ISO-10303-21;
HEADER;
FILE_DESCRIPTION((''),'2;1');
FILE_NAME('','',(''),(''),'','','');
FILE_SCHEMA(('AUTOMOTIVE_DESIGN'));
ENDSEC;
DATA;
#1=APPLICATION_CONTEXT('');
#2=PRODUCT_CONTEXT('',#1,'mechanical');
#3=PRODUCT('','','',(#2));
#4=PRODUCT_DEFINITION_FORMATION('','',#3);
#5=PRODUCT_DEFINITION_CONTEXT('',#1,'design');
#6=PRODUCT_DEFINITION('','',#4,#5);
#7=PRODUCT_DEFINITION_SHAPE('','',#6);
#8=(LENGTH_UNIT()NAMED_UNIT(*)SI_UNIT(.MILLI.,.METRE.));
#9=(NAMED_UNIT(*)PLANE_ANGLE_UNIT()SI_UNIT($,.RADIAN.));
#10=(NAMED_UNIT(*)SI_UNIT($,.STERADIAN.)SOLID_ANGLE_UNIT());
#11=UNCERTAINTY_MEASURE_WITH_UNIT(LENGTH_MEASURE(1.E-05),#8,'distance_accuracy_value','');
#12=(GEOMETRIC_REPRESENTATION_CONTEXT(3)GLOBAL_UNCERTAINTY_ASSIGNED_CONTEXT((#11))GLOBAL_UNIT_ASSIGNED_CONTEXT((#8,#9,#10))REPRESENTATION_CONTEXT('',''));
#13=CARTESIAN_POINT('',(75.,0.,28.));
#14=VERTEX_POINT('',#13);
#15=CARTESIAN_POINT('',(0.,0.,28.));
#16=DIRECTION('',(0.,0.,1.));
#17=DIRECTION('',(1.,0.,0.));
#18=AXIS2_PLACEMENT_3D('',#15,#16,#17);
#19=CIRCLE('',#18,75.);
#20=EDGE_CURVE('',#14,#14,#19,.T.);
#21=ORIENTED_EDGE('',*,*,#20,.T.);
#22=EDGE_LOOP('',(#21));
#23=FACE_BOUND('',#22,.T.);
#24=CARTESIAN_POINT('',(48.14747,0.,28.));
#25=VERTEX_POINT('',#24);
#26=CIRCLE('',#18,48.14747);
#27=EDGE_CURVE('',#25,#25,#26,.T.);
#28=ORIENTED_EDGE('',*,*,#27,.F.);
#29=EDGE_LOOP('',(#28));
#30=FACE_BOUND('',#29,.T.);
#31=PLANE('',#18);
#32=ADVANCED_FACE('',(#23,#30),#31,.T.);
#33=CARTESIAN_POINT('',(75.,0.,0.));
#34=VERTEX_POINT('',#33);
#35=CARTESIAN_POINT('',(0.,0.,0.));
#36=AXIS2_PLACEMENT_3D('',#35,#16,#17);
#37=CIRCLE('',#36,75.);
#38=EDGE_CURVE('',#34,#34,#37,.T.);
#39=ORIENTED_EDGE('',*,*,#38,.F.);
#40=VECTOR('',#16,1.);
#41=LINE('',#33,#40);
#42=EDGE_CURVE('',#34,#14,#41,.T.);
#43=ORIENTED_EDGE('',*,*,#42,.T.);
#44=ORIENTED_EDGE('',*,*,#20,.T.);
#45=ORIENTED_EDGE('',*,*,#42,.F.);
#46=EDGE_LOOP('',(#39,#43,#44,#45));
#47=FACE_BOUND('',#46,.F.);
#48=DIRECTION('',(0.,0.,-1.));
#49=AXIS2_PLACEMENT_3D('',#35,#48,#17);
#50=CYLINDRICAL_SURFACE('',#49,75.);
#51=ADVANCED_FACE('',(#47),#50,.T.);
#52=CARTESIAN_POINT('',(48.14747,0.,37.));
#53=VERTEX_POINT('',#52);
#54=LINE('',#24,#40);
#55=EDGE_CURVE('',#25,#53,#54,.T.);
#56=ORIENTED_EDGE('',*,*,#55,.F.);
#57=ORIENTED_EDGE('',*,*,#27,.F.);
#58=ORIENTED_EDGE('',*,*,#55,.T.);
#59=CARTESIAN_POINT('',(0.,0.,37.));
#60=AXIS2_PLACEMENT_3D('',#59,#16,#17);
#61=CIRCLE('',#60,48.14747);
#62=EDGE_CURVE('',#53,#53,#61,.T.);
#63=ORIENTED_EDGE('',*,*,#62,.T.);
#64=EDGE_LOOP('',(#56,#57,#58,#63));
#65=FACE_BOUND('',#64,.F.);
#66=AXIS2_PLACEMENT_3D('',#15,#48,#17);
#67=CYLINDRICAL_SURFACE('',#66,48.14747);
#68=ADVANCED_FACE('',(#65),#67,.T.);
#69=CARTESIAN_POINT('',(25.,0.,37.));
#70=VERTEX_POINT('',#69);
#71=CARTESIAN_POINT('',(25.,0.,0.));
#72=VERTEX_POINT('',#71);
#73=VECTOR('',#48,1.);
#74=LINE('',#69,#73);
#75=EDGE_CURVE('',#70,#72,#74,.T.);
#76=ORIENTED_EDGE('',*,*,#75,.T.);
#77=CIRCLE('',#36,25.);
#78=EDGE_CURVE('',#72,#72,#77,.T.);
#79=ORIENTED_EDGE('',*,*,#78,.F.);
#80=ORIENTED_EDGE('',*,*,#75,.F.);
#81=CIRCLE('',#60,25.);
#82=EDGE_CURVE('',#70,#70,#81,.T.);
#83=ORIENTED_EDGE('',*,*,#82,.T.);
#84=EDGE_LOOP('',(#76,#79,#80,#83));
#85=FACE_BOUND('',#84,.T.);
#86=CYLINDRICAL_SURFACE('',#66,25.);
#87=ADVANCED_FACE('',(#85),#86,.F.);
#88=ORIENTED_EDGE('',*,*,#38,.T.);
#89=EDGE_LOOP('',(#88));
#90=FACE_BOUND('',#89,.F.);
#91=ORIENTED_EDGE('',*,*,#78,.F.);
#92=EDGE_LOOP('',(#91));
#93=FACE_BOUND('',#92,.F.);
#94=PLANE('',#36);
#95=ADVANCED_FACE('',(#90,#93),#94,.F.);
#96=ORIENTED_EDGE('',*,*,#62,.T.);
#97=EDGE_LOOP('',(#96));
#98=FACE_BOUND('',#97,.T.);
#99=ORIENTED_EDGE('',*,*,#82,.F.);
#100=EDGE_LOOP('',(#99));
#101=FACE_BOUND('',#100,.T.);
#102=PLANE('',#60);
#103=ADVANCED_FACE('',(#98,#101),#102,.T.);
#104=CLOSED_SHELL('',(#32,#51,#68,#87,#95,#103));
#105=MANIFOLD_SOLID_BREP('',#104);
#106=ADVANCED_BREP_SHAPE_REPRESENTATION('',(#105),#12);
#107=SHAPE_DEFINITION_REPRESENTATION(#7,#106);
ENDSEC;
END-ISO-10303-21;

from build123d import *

# Parameters (mm, degrees)
F0_R     = 75
F0_R_2   = 25
F1_DEPTH = 28
F2_R     = 48.1474701807
F2_R_2   = 25
F3_DEPTH = 9
F4_R     = 39.9409386185
F4_R_2   = 25
F5_DEPTH = 15


with BuildPart() as f1:
    # F0 (on Top) → F1 (new body)
    with BuildSketch(Plane.XY):
        Circle(F0_R)
        Circle(F0_R_2, mode=Mode.SUBTRACT)
    extrude(amount=F1_DEPTH)

    # F2 (on face) → F3 (join)
    with BuildSketch(Plane.XY.offset(28)):
        Circle(F2_R)
        Circle(F2_R_2, mode=Mode.SUBTRACT)
    extrude(amount=F3_DEPTH)

    # F4 (on face) → F5 (join)
    with BuildSketch(Plane.XY.offset(37)):
        Circle(F4_R)
        Circle(F4_R_2, mode=Mode.SUBTRACT)
    extrude(amount=-F5_DEPTH)


solid = f1.part
